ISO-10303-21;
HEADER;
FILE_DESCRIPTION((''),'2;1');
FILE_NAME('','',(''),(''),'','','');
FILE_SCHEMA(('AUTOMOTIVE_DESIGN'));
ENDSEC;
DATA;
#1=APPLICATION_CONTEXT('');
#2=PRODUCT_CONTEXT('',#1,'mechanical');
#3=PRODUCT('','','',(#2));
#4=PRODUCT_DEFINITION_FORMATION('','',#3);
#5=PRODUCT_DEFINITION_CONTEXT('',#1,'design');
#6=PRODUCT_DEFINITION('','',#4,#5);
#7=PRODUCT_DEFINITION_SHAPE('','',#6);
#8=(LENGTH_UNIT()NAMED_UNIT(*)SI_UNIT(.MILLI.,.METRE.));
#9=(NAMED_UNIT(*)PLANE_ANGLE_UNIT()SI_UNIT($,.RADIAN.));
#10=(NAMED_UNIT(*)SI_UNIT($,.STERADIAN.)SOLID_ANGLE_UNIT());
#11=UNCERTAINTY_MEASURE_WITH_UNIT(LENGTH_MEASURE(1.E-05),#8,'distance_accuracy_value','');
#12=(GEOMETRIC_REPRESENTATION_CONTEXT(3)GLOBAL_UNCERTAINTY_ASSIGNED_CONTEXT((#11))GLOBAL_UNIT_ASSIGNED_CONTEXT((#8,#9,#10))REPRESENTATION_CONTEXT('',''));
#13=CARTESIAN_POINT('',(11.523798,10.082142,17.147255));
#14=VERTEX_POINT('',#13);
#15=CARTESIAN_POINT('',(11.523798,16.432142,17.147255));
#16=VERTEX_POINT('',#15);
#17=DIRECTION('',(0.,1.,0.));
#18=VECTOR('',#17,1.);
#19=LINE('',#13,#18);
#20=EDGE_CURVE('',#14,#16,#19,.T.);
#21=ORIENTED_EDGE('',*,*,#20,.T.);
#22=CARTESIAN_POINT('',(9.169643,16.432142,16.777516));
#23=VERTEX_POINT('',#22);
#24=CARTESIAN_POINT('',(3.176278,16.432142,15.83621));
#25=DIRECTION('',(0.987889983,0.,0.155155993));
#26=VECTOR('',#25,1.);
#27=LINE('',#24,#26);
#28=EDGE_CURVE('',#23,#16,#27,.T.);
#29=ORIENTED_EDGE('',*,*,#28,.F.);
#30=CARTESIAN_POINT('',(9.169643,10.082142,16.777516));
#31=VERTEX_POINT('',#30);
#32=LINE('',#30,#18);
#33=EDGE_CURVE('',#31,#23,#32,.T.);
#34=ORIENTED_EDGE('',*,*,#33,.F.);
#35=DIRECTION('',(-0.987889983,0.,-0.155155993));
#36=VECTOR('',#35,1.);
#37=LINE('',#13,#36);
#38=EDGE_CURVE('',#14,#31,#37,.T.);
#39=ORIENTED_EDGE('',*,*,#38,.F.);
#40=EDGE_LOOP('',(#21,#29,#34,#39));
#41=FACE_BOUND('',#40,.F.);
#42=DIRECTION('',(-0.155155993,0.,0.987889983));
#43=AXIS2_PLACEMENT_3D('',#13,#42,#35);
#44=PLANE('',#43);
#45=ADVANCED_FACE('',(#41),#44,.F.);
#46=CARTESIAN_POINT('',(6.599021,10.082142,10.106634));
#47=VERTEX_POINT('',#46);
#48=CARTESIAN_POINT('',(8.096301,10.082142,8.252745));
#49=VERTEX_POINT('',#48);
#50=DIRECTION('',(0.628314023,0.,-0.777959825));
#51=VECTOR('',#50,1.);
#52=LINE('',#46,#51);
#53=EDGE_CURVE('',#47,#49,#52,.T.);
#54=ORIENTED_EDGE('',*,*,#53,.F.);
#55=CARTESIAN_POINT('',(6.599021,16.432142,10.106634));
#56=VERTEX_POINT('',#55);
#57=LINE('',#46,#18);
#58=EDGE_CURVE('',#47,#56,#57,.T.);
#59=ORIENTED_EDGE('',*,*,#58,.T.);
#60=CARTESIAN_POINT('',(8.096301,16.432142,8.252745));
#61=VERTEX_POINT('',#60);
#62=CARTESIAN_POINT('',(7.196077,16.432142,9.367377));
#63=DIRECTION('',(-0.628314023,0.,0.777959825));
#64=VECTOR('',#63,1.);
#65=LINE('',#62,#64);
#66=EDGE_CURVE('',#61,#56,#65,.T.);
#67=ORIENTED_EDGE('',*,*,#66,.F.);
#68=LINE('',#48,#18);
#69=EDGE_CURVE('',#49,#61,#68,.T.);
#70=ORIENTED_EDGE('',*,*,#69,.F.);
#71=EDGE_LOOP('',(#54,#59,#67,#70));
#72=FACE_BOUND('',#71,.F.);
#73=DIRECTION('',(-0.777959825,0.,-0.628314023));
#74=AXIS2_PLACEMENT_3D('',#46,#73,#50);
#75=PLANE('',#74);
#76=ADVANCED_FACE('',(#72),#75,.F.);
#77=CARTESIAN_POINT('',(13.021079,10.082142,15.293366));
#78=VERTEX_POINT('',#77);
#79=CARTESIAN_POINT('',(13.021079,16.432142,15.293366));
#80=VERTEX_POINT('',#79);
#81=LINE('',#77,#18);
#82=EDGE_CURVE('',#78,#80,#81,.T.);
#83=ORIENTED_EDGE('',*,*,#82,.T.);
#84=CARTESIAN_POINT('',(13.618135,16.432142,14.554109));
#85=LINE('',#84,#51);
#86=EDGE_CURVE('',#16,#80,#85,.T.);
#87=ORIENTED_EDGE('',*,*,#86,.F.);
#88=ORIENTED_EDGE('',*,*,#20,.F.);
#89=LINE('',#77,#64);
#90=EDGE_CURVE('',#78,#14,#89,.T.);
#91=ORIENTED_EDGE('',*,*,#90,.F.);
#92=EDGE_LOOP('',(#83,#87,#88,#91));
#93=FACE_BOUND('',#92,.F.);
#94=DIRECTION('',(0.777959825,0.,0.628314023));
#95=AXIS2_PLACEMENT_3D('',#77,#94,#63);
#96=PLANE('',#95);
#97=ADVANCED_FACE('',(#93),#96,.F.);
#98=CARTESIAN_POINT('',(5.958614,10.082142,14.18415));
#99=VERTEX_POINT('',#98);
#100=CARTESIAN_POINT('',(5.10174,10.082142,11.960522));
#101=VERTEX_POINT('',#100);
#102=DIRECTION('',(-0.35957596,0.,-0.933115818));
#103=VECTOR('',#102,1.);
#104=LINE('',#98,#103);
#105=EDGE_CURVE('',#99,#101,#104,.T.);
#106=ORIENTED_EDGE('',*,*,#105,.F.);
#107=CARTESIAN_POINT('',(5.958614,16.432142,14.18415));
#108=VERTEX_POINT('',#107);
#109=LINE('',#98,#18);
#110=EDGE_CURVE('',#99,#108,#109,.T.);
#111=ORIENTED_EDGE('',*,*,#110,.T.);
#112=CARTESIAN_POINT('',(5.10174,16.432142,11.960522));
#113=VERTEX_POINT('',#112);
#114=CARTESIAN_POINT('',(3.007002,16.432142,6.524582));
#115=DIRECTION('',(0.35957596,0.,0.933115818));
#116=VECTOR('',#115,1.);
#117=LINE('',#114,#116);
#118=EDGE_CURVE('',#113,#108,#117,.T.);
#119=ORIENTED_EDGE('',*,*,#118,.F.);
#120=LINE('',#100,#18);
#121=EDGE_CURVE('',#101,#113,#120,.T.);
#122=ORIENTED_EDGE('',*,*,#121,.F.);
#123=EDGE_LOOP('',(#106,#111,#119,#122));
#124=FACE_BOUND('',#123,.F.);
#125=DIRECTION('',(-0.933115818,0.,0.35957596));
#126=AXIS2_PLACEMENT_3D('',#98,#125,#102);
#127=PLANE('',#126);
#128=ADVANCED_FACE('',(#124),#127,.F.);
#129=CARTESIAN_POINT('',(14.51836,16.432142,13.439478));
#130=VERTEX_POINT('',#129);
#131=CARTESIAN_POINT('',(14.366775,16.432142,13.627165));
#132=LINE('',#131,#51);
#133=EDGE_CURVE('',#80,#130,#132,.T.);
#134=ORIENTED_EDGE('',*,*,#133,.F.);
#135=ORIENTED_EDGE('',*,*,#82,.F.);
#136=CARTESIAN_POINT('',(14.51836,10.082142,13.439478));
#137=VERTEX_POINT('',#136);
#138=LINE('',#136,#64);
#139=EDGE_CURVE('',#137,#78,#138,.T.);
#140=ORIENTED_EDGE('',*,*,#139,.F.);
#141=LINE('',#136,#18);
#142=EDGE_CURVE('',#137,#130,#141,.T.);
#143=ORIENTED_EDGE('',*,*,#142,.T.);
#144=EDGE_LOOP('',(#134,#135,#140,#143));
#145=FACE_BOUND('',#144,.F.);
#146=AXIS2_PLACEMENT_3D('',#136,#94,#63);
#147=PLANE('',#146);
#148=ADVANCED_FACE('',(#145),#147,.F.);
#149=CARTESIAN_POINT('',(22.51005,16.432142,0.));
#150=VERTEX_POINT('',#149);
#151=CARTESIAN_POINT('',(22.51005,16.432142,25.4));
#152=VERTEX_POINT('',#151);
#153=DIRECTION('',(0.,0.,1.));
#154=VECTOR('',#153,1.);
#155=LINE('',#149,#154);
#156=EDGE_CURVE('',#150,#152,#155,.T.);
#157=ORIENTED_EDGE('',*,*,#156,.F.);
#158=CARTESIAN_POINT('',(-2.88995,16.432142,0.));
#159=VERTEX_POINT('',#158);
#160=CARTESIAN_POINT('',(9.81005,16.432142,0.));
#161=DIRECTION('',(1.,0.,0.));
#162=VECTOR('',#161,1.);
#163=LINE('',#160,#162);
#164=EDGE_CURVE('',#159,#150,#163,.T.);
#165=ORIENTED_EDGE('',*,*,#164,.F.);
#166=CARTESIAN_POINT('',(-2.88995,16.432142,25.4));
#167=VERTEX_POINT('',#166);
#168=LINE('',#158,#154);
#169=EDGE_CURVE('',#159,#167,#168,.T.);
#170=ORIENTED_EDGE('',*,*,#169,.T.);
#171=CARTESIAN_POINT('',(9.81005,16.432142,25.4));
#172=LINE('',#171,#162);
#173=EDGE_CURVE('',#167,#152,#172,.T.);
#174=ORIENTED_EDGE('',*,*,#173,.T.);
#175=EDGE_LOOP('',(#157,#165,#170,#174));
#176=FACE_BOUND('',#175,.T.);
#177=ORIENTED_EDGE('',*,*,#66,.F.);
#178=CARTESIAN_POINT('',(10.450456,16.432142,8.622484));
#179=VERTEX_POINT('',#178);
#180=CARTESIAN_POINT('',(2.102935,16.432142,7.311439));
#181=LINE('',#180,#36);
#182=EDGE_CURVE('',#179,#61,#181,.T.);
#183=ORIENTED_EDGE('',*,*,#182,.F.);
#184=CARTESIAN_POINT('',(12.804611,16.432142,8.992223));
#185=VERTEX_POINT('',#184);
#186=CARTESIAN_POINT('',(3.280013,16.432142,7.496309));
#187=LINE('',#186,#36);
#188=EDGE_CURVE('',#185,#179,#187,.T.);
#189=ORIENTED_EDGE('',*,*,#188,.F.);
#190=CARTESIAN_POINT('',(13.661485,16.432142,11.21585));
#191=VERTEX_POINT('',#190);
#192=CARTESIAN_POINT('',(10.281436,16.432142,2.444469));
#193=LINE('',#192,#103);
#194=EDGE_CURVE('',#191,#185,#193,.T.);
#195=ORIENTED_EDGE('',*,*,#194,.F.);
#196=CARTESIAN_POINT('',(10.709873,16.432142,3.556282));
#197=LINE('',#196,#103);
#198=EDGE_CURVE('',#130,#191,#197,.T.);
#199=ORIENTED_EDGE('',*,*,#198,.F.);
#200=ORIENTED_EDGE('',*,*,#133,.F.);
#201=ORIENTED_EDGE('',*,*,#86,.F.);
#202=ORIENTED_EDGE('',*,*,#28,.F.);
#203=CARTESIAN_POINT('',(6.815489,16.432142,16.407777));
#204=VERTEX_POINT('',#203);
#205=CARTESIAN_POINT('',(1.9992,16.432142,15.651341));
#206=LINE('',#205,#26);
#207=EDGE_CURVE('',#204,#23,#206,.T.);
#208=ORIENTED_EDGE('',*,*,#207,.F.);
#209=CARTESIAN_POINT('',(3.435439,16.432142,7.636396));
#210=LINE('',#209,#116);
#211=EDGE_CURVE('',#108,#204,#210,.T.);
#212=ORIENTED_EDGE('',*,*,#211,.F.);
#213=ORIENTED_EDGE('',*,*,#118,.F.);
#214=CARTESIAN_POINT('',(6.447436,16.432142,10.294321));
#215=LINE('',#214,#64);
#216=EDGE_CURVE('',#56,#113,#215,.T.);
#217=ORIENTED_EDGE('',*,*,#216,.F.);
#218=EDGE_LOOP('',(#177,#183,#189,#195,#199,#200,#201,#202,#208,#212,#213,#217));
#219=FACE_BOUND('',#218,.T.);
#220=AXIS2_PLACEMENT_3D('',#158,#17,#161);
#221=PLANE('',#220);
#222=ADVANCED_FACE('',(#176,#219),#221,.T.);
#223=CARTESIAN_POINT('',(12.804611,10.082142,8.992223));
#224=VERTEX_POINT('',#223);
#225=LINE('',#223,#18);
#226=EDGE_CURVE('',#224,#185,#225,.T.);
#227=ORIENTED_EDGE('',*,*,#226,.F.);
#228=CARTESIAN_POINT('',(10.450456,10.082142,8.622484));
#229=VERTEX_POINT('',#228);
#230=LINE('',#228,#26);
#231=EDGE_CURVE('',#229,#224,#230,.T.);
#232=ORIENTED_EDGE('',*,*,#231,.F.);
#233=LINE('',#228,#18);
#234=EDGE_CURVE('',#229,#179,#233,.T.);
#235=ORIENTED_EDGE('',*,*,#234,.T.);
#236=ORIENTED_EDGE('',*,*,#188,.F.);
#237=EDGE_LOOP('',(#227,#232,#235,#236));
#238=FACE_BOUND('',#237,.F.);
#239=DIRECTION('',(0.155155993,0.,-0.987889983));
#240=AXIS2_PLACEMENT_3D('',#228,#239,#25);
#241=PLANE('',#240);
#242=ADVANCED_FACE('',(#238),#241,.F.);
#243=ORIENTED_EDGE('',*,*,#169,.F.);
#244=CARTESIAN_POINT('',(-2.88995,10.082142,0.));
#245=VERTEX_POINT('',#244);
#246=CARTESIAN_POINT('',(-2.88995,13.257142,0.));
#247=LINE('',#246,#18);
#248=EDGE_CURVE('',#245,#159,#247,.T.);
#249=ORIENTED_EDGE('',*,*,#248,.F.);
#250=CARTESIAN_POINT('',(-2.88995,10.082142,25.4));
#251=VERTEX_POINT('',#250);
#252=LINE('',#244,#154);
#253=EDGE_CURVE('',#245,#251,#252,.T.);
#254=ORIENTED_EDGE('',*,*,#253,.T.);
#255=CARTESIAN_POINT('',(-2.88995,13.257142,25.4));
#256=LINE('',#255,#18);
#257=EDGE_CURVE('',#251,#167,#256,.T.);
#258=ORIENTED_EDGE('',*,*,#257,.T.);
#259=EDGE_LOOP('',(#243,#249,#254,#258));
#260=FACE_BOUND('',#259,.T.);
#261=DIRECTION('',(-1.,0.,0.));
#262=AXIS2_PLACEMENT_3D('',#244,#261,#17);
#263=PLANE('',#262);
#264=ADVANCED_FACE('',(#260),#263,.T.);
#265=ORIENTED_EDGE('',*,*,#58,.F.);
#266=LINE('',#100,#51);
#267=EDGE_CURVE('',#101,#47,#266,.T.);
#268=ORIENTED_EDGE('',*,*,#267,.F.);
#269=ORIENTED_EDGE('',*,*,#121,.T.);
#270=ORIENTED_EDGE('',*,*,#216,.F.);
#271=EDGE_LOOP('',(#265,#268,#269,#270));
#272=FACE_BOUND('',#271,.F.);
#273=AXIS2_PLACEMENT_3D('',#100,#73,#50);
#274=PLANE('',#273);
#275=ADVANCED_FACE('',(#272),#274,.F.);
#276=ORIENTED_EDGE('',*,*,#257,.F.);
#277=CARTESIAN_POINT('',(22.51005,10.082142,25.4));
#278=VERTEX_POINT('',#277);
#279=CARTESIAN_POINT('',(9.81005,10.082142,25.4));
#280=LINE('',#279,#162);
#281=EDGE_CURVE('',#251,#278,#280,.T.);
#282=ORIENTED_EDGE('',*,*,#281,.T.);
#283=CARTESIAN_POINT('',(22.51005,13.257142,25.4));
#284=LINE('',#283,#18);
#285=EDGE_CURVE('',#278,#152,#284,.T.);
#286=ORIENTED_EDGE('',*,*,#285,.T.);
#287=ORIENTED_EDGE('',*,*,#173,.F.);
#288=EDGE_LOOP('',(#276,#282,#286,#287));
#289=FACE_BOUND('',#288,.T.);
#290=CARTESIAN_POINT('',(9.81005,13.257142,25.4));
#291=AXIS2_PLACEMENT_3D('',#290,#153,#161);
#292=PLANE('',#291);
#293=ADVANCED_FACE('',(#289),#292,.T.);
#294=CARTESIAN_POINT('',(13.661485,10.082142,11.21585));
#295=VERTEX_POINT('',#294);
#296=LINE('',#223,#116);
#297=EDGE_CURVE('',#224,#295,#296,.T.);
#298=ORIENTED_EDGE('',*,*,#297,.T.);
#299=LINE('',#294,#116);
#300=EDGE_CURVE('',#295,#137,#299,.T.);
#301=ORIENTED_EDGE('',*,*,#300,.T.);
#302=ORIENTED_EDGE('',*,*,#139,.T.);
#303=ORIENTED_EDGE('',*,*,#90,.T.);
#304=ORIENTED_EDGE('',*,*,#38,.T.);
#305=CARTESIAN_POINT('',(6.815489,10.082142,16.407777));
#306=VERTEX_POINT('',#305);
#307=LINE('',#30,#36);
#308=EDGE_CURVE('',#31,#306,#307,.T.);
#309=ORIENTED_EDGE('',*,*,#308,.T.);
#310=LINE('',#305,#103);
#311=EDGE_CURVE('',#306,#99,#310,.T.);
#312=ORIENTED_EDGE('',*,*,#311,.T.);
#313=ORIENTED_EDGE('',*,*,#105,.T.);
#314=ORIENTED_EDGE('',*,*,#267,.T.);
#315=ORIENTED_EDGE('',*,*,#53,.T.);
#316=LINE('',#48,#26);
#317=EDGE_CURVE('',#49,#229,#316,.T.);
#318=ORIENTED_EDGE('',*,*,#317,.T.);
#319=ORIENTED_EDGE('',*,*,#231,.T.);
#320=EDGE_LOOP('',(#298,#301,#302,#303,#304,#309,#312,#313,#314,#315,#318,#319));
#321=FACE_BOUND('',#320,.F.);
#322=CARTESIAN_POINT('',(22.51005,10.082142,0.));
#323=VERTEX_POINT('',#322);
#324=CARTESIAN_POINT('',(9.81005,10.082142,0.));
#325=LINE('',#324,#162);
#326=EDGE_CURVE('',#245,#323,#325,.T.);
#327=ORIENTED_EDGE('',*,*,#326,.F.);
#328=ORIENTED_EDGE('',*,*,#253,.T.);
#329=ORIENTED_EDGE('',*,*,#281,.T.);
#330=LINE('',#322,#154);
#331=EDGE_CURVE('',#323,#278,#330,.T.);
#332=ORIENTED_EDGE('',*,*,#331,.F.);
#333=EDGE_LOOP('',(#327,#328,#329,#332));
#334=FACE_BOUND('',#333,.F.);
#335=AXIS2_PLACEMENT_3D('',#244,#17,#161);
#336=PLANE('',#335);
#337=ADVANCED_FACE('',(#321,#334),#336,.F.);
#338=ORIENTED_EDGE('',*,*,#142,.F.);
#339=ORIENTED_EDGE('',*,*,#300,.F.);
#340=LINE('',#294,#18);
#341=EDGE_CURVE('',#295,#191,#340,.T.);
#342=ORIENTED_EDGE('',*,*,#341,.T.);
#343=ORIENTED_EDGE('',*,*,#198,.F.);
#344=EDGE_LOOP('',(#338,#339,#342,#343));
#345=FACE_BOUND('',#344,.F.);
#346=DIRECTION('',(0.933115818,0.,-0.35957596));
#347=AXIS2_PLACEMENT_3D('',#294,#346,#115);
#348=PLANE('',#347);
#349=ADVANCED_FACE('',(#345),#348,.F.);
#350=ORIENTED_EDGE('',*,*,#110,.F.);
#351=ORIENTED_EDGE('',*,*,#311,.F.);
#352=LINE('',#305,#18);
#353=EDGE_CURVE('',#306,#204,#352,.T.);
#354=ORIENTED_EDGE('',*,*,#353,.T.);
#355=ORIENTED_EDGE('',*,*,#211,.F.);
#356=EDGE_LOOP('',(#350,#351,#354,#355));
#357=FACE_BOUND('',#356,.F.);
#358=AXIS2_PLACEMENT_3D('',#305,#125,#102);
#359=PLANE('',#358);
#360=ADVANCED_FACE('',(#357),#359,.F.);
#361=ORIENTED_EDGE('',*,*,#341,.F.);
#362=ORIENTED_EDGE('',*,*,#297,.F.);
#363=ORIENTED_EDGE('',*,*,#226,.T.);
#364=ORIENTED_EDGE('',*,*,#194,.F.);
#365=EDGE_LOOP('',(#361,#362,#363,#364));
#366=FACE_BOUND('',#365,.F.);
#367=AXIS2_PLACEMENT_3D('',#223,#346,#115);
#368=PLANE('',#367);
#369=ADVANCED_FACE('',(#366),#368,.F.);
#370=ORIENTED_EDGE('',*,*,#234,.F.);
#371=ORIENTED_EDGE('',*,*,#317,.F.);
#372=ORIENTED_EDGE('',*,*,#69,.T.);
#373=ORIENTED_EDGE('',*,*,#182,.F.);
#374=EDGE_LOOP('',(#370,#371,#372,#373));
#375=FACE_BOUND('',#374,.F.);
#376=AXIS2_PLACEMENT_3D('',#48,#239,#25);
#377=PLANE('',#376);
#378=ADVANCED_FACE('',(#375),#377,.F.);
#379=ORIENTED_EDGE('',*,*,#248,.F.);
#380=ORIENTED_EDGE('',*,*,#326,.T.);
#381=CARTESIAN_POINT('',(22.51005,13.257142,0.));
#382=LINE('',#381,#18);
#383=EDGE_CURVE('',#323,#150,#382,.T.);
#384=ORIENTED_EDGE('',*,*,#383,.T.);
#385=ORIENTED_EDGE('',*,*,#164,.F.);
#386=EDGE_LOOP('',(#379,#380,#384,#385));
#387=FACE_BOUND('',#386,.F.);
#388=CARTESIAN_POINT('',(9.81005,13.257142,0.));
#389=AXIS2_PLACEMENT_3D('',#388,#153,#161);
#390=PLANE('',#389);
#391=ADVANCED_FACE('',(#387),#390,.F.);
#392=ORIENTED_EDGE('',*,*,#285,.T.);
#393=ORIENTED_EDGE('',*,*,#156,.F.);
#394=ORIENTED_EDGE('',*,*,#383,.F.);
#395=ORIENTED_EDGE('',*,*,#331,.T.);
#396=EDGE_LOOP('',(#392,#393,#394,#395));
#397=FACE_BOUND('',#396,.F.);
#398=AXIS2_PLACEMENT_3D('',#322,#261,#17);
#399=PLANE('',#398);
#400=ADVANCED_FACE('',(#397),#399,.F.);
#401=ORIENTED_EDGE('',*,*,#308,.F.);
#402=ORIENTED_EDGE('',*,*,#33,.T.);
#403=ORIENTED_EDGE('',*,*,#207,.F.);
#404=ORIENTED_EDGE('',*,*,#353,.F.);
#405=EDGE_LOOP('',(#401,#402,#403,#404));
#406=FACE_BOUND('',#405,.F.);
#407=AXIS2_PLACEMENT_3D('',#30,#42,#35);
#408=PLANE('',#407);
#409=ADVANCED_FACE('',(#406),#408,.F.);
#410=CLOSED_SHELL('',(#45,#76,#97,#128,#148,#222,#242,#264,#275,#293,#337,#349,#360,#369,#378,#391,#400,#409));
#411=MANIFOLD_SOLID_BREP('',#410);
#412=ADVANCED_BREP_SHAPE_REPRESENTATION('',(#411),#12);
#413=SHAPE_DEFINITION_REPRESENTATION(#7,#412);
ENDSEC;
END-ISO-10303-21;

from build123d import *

# Parameters (mm, degrees)
F0_W     = 25.4
F0_H     = 6.35
F1_DEPTH = 25.4
F3_DEPTH = 25.4


with BuildPart() as f1:
    # F0 (on Top) → F1 (new body)
    with BuildSketch(Plane.XY):
        with Locations((9.8100498646, 13.2571424276)):
            Rectangle(F0_W, F0_H)
    extrude(amount=F1_DEPTH)

    # F2 (on face) → F3 (cut)
    with BuildSketch(Plane.XZ.offset(-10.0821424276)):
        with BuildLine():
            ThreePointArc((13.6614853659, 11.2158501323), (13.8679468743, 11.9451966419), (13.9375498646, 12.7))
            ThreePointArc((13.9375498646, 12.7), (13.7016934213, 14.0752696747), (13.0210790334, 15.2933661383))
            ThreePointArc((13.0210790334, 15.2933661383), (11.2941996222, 16.5514355437), (9.1696434798, 16.7775158997))
            ThreePointArc((9.1696434798, 16.7775158997), (7.2166837165, 15.9110291608), (5.9586143185, 14.1841497511))
            ThreePointArc((5.9586143185, 14.1841497511), (5.7325339584, 12.0595936572), (6.5990206497, 10.1066339189))
            ThreePointArc((6.5990206497, 10.1066339189), (8.3259000728, 8.8485644695), (10.4504562495, 8.6224841003))
            ThreePointArc((10.4504562495, 8.6224841003), (12.4034159642, 9.4889707999), (13.6614853659, 11.2158501323))
        make_face()
        with BuildLine():
            ThreePointArc((13.0210790334, 15.2933661383), (13.7016934213, 14.0752696747), (13.9375498646, 12.7))
            ThreePointArc((13.9375498646, 12.7), (13.8679468743, 11.9451966419), (13.6614853659, 11.2158501323))
            Line((13.6614853659, 11.2158501323), (14.5183596735, 13.4394775702))
            Line((14.5183596735, 13.4394775702), (13.0210790334, 15.2933661383))
        make_face()
        with BuildLine():
            ThreePointArc((9.1696434798, 16.7775158997), (11.2941996222, 16.5514355437), (13.0210790334, 15.2933661383))
            Line((13.0210790334, 15.2933661383), (11.5237984078, 17.1472546885))
            Line((11.5237984078, 17.1472546885), (9.1696434798, 16.7775158997))
        make_face()
        with BuildLine():
            Line((12.8046111304, 8.9922228817), (13.6614853659, 11.2158501323))
            ThreePointArc((13.6614853659, 11.2158501323), (12.4034159642, 9.4889707999), (10.4504562495, 8.6224841003))
            Line((10.4504562495, 8.6224841003), (12.8046111304, 8.9922228817))
        make_face()
        with BuildLine():
            ThreePointArc((5.9586143185, 14.1841497511), (7.2166837165, 15.9110291608), (9.1696434798, 16.7775158997))
            Line((9.1696434798, 16.7775158997), (6.8154885989, 16.4077771183))
            Line((6.8154885989, 16.4077771183), (5.9586143185, 14.1841497511))
        make_face()
        with BuildLine():
            Line((8.0963013215, 8.2527453115), (10.4504562495, 8.6224841003))
            ThreePointArc((10.4504562495, 8.6224841003), (8.3259000728, 8.8485644695), (6.5990206497, 10.1066339189))
            Line((6.5990206497, 10.1066339189), (8.0963013215, 8.2527453115))
        make_face()
        with BuildLine():
            ThreePointArc((6.5990206497, 10.1066339189), (5.7325339584, 12.0595936572), (5.9586143185, 14.1841497511))
            Line((5.9586143185, 14.1841497511), (5.1017400558, 11.9605224298))
            Line((5.1017400558, 11.9605224298), (6.5990206497, 10.1066339189))
        make_face()
    extrude(amount=-F3_DEPTH, mode=Mode.SUBTRACT)


solid = f1.part
